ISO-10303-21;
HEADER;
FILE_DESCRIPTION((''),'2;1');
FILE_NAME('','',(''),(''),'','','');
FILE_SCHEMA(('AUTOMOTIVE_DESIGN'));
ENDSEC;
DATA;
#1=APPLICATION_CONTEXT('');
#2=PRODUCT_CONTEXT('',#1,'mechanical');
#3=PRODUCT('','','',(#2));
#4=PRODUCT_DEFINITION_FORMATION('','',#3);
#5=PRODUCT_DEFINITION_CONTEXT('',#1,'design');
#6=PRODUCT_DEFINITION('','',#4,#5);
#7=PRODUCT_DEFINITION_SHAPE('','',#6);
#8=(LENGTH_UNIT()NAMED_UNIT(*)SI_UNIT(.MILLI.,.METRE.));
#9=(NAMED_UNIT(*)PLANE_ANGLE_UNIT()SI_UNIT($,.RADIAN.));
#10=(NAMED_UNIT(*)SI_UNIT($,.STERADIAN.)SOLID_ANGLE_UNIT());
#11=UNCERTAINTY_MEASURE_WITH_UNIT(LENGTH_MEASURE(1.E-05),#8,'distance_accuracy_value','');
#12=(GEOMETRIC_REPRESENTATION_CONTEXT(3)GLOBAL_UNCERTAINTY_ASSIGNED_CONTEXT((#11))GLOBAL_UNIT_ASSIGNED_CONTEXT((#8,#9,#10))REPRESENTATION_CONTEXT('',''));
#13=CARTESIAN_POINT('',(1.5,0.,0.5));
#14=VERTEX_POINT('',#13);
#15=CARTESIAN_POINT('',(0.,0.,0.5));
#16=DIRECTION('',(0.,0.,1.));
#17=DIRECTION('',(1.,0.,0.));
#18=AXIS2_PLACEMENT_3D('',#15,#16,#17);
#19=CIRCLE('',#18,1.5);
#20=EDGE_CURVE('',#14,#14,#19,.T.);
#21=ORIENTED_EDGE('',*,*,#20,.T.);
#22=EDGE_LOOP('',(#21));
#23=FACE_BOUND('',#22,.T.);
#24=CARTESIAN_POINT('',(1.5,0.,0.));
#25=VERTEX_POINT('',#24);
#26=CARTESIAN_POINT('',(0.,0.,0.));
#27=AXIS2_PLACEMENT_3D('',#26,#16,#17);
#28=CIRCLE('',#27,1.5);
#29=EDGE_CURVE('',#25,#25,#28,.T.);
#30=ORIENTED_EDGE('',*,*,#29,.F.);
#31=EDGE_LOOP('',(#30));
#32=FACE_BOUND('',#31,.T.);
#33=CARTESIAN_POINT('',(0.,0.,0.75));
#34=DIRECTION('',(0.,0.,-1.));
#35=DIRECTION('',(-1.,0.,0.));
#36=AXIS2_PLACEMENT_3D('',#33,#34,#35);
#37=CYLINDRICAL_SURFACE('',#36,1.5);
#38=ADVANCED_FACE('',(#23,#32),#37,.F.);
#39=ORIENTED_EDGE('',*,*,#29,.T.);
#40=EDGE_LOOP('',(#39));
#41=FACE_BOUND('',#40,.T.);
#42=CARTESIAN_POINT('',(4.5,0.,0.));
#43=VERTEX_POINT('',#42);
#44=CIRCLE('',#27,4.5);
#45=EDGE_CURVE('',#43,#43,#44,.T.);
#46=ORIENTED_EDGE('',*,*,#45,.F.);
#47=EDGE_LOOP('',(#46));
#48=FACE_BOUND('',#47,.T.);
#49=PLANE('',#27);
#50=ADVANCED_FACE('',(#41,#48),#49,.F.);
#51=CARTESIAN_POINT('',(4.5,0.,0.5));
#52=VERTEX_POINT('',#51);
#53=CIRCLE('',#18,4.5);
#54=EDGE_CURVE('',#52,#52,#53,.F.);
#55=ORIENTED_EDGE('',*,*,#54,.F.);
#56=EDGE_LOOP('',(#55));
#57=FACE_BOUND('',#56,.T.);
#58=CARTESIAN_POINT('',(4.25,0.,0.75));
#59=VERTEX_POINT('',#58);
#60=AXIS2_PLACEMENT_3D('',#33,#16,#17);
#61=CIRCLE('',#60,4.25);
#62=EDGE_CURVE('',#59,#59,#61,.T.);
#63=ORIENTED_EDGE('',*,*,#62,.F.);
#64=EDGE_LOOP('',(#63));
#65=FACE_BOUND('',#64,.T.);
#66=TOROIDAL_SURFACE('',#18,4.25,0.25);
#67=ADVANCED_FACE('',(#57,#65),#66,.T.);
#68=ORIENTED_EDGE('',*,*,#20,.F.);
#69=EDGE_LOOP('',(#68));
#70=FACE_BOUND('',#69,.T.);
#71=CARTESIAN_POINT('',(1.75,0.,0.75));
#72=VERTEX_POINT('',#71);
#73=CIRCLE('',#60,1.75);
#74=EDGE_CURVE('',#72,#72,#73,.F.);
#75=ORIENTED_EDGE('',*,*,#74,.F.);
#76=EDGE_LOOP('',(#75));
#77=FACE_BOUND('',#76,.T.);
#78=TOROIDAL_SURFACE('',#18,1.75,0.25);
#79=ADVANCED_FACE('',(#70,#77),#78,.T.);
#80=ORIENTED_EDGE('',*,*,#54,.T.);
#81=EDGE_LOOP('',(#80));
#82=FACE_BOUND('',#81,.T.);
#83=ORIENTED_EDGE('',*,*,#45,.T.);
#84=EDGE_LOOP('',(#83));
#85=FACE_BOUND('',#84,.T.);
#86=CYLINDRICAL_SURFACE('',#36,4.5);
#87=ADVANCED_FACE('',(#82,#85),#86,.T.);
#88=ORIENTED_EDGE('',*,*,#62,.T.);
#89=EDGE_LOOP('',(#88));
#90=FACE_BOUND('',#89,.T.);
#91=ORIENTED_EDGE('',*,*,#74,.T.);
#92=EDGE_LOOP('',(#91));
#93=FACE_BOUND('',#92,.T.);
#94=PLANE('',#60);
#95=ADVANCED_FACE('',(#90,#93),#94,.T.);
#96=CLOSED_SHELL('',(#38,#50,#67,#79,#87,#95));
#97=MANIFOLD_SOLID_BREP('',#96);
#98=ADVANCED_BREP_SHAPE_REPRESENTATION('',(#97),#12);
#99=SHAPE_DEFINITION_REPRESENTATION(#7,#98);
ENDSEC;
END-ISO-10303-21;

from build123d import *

# Parameters (mm, degrees)
SKETCH1_R           = 4.5
SKETCH1_R_2         = 1.5
BOSS_EXTRUDE1_DEPTH = 0.75
FILLET1_R           = 0.25


with BuildPart() as part:
    # Sketch1 → Boss-Extrude1 (new body)
    with BuildSketch(Plane.XY):
        Circle(SKETCH1_R)
        Circle(SKETCH1_R_2, mode=Mode.SUBTRACT)
    extrude(amount=BOSS_EXTRUDE1_DEPTH)

    # Fillet1
    fillet1_edges = [part.edges().sort_by_distance(p)[0] for p in [
        (-4.5, 0, 0.75),
        (-1.5, 0, 0.75),
    ]]
    fillet(fillet1_edges, radius=FILLET1_R)


solid = part.part
